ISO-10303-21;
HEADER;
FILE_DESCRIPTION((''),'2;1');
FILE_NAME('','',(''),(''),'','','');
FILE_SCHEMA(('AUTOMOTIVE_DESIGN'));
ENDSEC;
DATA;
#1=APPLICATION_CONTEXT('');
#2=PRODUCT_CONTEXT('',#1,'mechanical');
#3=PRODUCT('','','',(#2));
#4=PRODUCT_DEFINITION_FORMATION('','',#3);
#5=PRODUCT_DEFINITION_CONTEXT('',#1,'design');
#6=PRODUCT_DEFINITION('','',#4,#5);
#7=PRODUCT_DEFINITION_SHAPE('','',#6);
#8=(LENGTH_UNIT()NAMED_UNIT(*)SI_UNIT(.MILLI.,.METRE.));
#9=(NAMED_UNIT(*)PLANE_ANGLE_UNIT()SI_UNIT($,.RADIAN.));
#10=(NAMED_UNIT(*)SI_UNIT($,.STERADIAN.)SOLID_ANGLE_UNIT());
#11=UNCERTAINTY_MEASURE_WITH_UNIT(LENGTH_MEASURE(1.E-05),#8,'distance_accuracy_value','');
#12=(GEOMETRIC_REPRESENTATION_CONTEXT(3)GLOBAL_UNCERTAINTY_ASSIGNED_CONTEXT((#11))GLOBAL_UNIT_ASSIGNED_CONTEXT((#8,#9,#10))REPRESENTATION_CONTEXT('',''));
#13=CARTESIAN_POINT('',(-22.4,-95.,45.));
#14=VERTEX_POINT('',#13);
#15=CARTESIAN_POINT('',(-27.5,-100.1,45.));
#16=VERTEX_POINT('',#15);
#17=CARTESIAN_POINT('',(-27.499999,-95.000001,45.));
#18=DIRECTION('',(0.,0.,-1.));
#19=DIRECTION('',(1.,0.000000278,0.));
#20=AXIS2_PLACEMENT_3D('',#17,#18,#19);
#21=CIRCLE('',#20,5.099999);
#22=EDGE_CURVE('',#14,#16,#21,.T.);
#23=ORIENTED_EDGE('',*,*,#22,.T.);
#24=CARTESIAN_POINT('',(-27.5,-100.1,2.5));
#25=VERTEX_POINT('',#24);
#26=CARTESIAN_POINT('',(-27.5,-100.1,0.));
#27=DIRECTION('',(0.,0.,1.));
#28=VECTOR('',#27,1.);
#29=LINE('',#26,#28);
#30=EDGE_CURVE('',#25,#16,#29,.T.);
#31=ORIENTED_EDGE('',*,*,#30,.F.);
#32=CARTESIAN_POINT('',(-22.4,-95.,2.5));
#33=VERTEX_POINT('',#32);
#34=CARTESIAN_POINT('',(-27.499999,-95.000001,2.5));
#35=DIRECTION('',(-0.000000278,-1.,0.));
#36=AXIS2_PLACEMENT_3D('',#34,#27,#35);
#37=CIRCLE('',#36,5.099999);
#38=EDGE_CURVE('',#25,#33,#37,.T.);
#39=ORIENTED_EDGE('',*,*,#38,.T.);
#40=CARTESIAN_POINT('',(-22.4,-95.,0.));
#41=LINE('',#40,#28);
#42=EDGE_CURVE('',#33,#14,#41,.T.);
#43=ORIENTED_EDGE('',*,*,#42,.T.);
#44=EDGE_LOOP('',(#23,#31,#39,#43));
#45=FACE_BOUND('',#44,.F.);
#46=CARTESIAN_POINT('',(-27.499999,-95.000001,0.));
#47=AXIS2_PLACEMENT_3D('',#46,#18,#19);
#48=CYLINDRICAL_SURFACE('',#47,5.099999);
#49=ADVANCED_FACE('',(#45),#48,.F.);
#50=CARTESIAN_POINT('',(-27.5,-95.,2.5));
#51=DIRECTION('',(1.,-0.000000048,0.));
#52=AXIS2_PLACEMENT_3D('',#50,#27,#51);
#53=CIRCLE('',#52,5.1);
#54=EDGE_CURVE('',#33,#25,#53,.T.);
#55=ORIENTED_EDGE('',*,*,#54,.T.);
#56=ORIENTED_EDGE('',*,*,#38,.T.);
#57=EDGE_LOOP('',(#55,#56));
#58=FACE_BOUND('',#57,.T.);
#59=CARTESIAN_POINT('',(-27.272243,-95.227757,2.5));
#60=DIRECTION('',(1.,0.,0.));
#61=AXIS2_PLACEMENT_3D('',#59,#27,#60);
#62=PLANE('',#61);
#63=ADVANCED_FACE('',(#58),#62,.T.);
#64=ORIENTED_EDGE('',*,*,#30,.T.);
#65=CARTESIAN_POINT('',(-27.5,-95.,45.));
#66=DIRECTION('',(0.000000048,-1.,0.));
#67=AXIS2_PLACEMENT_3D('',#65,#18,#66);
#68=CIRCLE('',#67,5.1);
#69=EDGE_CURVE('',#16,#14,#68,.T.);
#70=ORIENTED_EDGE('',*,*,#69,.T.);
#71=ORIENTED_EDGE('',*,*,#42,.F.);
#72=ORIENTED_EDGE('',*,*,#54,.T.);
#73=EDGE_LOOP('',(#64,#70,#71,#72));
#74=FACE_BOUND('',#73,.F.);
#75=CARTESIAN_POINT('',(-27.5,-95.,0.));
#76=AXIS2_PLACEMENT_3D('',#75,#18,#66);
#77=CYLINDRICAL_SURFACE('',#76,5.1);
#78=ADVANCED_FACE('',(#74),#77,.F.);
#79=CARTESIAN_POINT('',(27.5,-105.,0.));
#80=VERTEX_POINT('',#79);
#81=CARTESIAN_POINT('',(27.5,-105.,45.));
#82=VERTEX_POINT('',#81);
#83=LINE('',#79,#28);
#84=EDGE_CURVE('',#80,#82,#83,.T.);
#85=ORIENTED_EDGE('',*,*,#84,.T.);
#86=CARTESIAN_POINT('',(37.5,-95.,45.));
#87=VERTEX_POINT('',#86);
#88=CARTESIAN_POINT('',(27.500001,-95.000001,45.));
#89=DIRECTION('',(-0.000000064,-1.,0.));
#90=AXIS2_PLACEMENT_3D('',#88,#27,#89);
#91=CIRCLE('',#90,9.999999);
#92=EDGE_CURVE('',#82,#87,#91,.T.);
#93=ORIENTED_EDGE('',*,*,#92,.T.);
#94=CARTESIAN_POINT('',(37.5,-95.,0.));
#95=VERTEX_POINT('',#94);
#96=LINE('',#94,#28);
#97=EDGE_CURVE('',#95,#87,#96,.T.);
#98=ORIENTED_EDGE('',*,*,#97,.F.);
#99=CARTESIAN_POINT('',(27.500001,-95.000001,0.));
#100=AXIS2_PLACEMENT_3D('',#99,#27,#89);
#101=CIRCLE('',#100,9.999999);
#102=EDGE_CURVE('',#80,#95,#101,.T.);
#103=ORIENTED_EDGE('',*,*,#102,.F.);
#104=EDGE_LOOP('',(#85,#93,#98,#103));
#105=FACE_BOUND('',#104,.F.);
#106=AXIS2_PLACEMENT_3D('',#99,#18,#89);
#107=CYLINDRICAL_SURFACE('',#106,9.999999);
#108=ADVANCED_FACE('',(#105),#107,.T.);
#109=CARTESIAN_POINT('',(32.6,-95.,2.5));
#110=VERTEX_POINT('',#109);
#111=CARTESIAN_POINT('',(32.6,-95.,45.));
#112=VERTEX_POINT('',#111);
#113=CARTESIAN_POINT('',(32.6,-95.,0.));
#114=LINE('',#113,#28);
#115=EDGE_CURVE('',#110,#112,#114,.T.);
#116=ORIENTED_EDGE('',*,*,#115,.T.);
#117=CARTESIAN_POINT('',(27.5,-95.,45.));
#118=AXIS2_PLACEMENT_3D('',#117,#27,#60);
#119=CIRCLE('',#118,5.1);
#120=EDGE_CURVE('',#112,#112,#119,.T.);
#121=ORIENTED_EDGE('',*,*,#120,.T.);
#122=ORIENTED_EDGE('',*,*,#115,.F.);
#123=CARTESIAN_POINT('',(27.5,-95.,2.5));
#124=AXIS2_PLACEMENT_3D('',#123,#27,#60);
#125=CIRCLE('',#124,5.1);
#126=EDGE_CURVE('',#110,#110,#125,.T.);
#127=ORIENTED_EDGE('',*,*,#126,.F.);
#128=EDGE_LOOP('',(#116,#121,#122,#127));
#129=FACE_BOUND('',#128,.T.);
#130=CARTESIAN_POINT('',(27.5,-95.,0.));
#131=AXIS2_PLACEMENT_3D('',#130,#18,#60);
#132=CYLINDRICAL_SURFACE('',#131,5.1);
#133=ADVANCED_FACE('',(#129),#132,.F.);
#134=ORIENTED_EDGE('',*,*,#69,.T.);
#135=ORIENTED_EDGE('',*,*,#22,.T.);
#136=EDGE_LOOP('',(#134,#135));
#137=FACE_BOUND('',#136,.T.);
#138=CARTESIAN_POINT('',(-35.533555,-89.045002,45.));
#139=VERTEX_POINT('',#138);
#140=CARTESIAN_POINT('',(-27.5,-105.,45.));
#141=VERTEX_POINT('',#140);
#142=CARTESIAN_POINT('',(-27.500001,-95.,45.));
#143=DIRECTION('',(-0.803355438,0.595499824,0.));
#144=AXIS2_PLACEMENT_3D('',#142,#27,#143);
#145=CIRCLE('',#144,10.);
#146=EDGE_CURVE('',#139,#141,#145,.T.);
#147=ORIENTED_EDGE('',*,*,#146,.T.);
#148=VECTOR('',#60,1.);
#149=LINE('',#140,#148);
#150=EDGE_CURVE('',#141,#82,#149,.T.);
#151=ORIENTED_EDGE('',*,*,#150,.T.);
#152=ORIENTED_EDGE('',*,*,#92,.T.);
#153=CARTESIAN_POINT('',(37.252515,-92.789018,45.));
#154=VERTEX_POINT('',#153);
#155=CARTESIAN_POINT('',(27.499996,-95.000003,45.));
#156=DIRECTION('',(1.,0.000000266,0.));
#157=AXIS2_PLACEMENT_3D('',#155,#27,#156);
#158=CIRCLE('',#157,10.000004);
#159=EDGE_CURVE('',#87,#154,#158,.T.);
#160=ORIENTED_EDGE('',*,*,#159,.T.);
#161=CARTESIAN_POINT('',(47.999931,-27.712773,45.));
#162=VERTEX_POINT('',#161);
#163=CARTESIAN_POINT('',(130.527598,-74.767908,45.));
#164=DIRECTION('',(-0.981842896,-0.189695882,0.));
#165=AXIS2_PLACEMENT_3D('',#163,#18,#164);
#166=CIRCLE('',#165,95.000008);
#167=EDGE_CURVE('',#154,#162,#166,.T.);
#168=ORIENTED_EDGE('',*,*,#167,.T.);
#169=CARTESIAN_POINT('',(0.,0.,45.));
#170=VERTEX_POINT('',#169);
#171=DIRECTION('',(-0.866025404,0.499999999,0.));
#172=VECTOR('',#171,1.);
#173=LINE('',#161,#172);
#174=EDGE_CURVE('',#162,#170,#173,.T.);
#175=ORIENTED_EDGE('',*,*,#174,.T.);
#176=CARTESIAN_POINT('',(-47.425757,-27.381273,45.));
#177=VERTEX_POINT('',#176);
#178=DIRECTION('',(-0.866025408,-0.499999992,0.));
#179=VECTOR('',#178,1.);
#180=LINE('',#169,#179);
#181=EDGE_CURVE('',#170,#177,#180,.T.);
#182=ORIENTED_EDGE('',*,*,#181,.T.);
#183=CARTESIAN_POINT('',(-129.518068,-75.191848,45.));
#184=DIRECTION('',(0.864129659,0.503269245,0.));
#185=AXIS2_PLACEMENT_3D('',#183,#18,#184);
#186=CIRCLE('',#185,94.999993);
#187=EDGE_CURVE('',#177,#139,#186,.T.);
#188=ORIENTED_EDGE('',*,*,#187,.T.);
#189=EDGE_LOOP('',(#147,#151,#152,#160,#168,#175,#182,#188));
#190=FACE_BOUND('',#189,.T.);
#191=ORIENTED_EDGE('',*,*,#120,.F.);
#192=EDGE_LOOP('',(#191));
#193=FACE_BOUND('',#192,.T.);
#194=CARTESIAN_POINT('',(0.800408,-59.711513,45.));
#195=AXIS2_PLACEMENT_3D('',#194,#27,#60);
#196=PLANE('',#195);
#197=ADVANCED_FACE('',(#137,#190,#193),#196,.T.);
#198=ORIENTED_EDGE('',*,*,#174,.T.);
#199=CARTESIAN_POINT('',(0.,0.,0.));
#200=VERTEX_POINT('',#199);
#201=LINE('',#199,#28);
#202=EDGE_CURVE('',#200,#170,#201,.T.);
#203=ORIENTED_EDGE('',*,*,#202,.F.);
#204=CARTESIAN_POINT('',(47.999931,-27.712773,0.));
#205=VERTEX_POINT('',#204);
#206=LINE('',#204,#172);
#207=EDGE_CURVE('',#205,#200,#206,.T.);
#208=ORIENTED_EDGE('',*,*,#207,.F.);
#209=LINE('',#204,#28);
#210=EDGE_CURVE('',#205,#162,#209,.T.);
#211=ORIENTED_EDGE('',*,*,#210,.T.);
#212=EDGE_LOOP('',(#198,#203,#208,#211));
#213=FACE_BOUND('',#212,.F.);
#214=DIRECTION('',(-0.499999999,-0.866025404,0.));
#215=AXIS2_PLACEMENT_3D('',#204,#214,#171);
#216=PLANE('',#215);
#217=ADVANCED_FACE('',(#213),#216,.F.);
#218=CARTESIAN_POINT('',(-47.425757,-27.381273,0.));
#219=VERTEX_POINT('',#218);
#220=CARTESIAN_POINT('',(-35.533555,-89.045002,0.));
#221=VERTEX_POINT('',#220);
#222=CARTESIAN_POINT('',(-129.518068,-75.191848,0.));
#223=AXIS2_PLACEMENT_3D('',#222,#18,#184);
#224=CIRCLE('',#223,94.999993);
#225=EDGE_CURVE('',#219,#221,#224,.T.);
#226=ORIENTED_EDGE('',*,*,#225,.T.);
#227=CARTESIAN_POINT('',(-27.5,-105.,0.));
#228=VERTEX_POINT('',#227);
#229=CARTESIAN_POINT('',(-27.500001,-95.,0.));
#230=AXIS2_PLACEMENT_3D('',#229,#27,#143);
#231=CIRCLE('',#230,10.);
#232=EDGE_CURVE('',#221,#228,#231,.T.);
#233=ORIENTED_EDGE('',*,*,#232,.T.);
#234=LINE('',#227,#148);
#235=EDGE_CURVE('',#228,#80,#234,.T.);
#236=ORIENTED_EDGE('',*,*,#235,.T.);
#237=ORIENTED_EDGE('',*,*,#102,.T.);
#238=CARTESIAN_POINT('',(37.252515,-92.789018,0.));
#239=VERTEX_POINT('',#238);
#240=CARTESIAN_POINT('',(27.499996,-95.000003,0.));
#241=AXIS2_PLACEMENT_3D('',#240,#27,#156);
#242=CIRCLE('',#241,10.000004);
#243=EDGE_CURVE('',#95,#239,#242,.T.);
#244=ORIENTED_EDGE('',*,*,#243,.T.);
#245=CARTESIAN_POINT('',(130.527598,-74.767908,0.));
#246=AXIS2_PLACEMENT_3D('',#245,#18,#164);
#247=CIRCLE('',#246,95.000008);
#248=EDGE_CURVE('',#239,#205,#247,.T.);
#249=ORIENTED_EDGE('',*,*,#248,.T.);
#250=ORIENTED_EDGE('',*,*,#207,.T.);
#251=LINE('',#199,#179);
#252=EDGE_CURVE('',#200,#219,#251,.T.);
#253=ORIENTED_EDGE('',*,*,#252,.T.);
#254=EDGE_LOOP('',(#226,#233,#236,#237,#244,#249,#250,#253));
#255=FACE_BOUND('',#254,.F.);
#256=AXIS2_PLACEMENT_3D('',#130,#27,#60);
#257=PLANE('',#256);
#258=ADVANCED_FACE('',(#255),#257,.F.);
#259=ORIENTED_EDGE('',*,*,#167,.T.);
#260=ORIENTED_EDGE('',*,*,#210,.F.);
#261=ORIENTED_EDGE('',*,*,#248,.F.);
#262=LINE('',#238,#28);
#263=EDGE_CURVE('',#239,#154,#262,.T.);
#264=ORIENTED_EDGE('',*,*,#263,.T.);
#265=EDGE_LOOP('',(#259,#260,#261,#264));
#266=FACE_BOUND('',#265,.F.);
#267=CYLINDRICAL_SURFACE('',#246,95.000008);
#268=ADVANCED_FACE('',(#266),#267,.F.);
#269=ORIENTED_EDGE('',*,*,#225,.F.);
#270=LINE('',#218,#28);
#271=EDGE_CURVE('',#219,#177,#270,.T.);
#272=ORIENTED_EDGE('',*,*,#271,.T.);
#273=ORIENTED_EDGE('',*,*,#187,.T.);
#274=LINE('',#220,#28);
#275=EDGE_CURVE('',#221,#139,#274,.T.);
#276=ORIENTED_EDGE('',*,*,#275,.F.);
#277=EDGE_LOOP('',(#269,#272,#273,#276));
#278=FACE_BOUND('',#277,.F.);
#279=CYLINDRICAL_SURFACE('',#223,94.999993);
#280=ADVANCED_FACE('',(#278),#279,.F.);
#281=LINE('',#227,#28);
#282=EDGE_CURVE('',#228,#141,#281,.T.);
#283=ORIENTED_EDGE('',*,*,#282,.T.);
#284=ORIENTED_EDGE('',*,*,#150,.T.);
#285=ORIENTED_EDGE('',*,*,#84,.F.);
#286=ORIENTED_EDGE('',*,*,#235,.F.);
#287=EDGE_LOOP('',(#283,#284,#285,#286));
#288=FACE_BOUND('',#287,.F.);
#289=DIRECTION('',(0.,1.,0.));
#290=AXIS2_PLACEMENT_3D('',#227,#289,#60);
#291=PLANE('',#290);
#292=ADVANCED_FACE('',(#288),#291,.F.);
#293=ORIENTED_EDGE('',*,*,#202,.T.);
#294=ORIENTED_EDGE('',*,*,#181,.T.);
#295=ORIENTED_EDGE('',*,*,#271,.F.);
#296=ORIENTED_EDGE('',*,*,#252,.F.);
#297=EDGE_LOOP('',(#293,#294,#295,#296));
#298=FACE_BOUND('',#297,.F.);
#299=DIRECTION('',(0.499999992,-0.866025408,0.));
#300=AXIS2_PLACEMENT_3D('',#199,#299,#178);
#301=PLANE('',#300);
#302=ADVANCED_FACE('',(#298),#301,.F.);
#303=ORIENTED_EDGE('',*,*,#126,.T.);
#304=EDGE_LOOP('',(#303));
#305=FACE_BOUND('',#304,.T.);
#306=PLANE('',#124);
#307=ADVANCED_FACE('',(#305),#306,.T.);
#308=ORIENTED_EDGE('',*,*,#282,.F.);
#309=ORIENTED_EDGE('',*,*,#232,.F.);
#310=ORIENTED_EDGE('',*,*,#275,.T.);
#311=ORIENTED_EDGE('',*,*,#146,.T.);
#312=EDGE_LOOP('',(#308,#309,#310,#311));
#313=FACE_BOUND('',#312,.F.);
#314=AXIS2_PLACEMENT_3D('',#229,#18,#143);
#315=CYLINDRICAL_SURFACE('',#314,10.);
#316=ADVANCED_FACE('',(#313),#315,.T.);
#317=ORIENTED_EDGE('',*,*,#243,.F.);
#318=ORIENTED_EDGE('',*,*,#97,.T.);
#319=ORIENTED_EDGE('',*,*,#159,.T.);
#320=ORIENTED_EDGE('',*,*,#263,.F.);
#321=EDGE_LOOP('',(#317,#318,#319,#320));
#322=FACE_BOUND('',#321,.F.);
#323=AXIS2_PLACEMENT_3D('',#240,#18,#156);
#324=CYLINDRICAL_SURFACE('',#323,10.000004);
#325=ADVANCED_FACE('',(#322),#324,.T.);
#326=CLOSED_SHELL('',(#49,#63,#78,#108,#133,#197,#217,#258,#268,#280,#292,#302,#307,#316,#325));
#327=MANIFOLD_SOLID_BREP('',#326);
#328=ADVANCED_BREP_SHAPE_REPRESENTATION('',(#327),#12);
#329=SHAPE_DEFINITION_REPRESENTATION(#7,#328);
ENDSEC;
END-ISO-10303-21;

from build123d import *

# Parameters (mm, degrees)
F0_R     = 5.1
F1_DEPTH = 45
F2_DEPTH = 2.5


with BuildPart() as f1:
    # F0 (on Top) → F1 (new body)
    with BuildSketch(Plane.XY):
        with BuildLine():
            Line((47.999931, -27.712773), (0, 0))
            Line((0, 0), (-47.425757, -27.381273))
            ThreePointArc((-47.425757, -27.381273), (-36.236956, -57.202053), (-35.533555, -89.045002))
            ThreePointArc((-35.533555, -89.045002), (-24.364362, -85.504329), (-17.5, -95))
            ThreePointArc((-17.5, -95), (-20.428932, -102.071068), (-27.5, -105))
            Line((-27.5, -105), (27.5, -105))
            ThreePointArc((27.5, -105), (19.686236, -88.7594), (37.252515, -92.789018))
            ThreePointArc((37.252515, -92.789018), (36.797234, -59.288231), (47.999931, -27.712773))
        make_face()
        with BuildLine():
            ThreePointArc((-17.5, -95), (-24.364362, -85.504329), (-35.533555, -89.045002))
            ThreePointArc((-35.533555, -89.045002), (-36.431685, -99.497223), (-27.5, -105))
            ThreePointArc((-27.5, -105), (-20.428932, -102.071068), (-17.5, -95))
        make_face()
        with BuildLine():
            ThreePointArc((-22.4, -95), (-23.893755, -98.606245), (-27.5, -100.1))
            ThreePointArc((-27.5, -100.1), (-31.106245, -91.393755), (-22.4, -95))
        make_face(mode=Mode.SUBTRACT)
        with BuildLine():
            ThreePointArc((37.5, -95), (37.437936, -93.887605), (37.252515, -92.789018))
            ThreePointArc((37.252515, -92.789018), (19.686236, -88.7594), (27.5, -105))
            ThreePointArc((27.5, -105), (34.571068, -102.071068), (37.5, -95))
        make_face()
        with Locations((27.5, -95)):
            Circle(F0_R, mode=Mode.SUBTRACT)
    extrude(amount=F1_DEPTH)

    # F0 (on Top) → F2 (join)
    with BuildSketch(Plane.XY):
        with Locations((27.5, -95)):
            Circle(F0_R)
        with BuildLine():
            ThreePointArc((-22.4, -95), (-31.106245, -91.393755), (-27.5, -100.1))
            ThreePointArc((-27.5, -100.1), (-23.893755, -98.606245), (-22.4, -95))
        make_face()
    extrude(amount=F2_DEPTH)


solid = f1.part
